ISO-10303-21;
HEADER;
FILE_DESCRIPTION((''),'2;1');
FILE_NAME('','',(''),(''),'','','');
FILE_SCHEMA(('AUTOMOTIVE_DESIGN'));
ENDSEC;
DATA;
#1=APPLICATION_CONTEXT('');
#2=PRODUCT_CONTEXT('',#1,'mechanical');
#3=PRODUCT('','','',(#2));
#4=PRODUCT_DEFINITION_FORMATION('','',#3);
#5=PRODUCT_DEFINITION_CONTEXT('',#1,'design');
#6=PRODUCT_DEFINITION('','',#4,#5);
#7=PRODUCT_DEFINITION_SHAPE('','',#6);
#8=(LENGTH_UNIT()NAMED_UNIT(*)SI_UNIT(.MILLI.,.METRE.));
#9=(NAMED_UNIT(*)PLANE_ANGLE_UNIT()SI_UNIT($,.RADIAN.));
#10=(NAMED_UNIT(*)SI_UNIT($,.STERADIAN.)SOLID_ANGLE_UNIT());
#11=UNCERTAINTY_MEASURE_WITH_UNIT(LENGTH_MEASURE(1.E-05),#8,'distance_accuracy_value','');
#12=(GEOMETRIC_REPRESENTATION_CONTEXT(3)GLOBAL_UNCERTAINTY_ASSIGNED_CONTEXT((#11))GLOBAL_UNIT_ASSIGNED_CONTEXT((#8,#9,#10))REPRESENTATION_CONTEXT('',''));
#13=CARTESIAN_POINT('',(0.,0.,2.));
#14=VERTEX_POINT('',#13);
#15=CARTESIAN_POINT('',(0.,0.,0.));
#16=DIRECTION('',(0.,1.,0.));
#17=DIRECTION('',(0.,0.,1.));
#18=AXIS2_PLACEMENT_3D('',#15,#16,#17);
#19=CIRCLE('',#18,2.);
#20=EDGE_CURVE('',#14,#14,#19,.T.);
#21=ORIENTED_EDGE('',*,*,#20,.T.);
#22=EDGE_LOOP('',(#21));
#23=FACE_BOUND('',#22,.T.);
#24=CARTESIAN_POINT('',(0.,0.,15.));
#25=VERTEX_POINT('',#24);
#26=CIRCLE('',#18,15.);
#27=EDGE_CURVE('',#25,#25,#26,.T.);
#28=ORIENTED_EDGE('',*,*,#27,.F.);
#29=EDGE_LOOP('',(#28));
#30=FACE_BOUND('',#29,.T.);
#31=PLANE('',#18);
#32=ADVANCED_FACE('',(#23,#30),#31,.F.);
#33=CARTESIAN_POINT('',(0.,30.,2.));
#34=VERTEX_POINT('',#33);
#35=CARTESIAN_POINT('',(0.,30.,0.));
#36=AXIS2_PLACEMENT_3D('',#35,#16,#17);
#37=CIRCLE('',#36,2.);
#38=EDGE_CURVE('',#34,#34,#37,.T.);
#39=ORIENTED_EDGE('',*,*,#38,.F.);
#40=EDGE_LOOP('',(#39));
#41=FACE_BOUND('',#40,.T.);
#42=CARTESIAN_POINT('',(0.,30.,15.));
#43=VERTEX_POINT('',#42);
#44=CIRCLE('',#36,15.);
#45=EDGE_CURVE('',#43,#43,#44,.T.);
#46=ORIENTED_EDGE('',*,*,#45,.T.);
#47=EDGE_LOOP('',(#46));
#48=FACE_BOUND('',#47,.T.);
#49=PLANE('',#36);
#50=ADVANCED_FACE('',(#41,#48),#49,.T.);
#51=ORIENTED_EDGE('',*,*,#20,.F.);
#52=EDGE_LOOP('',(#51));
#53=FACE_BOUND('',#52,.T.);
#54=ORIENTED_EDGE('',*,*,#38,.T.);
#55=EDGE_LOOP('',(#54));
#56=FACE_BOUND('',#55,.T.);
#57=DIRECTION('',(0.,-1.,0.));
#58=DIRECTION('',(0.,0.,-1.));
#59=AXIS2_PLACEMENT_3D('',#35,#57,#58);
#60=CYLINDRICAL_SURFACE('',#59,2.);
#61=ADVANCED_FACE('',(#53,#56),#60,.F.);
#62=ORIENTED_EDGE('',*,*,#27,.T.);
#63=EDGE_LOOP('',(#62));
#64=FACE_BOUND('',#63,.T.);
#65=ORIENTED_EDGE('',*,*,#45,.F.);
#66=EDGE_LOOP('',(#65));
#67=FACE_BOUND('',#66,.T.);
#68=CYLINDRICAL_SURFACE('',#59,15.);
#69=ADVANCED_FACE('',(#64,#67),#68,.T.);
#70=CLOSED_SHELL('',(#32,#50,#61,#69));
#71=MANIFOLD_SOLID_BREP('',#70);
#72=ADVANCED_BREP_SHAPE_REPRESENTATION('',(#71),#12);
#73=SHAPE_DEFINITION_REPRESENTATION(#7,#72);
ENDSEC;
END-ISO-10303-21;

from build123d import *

# Parameters (mm, degrees)
SKETCH1_R           = 15
BOSS_EXTRUDE1_DEPTH = 30
SKETCH2_R           = 2
CUT_EXTRUDE1_DEPTH  = 30


with BuildPart() as part:
    # Sketch1 → Boss-Extrude1 (new body)
    with BuildSketch(Plane(origin=(0, 0, 0), x_dir=(1, 0, 0), z_dir=(0, 1, 0))):
        Circle(SKETCH1_R)
    extrude(amount=BOSS_EXTRUDE1_DEPTH)

    # Sketch2 → Cut-Extrude1 (cut)
    with BuildSketch(Plane(origin=(0, 0, 0), x_dir=(1, 0, 0), z_dir=(0, 1, 0))):
        Circle(SKETCH2_R)
    extrude(amount=CUT_EXTRUDE1_DEPTH, mode=Mode.SUBTRACT)


solid = part.part
